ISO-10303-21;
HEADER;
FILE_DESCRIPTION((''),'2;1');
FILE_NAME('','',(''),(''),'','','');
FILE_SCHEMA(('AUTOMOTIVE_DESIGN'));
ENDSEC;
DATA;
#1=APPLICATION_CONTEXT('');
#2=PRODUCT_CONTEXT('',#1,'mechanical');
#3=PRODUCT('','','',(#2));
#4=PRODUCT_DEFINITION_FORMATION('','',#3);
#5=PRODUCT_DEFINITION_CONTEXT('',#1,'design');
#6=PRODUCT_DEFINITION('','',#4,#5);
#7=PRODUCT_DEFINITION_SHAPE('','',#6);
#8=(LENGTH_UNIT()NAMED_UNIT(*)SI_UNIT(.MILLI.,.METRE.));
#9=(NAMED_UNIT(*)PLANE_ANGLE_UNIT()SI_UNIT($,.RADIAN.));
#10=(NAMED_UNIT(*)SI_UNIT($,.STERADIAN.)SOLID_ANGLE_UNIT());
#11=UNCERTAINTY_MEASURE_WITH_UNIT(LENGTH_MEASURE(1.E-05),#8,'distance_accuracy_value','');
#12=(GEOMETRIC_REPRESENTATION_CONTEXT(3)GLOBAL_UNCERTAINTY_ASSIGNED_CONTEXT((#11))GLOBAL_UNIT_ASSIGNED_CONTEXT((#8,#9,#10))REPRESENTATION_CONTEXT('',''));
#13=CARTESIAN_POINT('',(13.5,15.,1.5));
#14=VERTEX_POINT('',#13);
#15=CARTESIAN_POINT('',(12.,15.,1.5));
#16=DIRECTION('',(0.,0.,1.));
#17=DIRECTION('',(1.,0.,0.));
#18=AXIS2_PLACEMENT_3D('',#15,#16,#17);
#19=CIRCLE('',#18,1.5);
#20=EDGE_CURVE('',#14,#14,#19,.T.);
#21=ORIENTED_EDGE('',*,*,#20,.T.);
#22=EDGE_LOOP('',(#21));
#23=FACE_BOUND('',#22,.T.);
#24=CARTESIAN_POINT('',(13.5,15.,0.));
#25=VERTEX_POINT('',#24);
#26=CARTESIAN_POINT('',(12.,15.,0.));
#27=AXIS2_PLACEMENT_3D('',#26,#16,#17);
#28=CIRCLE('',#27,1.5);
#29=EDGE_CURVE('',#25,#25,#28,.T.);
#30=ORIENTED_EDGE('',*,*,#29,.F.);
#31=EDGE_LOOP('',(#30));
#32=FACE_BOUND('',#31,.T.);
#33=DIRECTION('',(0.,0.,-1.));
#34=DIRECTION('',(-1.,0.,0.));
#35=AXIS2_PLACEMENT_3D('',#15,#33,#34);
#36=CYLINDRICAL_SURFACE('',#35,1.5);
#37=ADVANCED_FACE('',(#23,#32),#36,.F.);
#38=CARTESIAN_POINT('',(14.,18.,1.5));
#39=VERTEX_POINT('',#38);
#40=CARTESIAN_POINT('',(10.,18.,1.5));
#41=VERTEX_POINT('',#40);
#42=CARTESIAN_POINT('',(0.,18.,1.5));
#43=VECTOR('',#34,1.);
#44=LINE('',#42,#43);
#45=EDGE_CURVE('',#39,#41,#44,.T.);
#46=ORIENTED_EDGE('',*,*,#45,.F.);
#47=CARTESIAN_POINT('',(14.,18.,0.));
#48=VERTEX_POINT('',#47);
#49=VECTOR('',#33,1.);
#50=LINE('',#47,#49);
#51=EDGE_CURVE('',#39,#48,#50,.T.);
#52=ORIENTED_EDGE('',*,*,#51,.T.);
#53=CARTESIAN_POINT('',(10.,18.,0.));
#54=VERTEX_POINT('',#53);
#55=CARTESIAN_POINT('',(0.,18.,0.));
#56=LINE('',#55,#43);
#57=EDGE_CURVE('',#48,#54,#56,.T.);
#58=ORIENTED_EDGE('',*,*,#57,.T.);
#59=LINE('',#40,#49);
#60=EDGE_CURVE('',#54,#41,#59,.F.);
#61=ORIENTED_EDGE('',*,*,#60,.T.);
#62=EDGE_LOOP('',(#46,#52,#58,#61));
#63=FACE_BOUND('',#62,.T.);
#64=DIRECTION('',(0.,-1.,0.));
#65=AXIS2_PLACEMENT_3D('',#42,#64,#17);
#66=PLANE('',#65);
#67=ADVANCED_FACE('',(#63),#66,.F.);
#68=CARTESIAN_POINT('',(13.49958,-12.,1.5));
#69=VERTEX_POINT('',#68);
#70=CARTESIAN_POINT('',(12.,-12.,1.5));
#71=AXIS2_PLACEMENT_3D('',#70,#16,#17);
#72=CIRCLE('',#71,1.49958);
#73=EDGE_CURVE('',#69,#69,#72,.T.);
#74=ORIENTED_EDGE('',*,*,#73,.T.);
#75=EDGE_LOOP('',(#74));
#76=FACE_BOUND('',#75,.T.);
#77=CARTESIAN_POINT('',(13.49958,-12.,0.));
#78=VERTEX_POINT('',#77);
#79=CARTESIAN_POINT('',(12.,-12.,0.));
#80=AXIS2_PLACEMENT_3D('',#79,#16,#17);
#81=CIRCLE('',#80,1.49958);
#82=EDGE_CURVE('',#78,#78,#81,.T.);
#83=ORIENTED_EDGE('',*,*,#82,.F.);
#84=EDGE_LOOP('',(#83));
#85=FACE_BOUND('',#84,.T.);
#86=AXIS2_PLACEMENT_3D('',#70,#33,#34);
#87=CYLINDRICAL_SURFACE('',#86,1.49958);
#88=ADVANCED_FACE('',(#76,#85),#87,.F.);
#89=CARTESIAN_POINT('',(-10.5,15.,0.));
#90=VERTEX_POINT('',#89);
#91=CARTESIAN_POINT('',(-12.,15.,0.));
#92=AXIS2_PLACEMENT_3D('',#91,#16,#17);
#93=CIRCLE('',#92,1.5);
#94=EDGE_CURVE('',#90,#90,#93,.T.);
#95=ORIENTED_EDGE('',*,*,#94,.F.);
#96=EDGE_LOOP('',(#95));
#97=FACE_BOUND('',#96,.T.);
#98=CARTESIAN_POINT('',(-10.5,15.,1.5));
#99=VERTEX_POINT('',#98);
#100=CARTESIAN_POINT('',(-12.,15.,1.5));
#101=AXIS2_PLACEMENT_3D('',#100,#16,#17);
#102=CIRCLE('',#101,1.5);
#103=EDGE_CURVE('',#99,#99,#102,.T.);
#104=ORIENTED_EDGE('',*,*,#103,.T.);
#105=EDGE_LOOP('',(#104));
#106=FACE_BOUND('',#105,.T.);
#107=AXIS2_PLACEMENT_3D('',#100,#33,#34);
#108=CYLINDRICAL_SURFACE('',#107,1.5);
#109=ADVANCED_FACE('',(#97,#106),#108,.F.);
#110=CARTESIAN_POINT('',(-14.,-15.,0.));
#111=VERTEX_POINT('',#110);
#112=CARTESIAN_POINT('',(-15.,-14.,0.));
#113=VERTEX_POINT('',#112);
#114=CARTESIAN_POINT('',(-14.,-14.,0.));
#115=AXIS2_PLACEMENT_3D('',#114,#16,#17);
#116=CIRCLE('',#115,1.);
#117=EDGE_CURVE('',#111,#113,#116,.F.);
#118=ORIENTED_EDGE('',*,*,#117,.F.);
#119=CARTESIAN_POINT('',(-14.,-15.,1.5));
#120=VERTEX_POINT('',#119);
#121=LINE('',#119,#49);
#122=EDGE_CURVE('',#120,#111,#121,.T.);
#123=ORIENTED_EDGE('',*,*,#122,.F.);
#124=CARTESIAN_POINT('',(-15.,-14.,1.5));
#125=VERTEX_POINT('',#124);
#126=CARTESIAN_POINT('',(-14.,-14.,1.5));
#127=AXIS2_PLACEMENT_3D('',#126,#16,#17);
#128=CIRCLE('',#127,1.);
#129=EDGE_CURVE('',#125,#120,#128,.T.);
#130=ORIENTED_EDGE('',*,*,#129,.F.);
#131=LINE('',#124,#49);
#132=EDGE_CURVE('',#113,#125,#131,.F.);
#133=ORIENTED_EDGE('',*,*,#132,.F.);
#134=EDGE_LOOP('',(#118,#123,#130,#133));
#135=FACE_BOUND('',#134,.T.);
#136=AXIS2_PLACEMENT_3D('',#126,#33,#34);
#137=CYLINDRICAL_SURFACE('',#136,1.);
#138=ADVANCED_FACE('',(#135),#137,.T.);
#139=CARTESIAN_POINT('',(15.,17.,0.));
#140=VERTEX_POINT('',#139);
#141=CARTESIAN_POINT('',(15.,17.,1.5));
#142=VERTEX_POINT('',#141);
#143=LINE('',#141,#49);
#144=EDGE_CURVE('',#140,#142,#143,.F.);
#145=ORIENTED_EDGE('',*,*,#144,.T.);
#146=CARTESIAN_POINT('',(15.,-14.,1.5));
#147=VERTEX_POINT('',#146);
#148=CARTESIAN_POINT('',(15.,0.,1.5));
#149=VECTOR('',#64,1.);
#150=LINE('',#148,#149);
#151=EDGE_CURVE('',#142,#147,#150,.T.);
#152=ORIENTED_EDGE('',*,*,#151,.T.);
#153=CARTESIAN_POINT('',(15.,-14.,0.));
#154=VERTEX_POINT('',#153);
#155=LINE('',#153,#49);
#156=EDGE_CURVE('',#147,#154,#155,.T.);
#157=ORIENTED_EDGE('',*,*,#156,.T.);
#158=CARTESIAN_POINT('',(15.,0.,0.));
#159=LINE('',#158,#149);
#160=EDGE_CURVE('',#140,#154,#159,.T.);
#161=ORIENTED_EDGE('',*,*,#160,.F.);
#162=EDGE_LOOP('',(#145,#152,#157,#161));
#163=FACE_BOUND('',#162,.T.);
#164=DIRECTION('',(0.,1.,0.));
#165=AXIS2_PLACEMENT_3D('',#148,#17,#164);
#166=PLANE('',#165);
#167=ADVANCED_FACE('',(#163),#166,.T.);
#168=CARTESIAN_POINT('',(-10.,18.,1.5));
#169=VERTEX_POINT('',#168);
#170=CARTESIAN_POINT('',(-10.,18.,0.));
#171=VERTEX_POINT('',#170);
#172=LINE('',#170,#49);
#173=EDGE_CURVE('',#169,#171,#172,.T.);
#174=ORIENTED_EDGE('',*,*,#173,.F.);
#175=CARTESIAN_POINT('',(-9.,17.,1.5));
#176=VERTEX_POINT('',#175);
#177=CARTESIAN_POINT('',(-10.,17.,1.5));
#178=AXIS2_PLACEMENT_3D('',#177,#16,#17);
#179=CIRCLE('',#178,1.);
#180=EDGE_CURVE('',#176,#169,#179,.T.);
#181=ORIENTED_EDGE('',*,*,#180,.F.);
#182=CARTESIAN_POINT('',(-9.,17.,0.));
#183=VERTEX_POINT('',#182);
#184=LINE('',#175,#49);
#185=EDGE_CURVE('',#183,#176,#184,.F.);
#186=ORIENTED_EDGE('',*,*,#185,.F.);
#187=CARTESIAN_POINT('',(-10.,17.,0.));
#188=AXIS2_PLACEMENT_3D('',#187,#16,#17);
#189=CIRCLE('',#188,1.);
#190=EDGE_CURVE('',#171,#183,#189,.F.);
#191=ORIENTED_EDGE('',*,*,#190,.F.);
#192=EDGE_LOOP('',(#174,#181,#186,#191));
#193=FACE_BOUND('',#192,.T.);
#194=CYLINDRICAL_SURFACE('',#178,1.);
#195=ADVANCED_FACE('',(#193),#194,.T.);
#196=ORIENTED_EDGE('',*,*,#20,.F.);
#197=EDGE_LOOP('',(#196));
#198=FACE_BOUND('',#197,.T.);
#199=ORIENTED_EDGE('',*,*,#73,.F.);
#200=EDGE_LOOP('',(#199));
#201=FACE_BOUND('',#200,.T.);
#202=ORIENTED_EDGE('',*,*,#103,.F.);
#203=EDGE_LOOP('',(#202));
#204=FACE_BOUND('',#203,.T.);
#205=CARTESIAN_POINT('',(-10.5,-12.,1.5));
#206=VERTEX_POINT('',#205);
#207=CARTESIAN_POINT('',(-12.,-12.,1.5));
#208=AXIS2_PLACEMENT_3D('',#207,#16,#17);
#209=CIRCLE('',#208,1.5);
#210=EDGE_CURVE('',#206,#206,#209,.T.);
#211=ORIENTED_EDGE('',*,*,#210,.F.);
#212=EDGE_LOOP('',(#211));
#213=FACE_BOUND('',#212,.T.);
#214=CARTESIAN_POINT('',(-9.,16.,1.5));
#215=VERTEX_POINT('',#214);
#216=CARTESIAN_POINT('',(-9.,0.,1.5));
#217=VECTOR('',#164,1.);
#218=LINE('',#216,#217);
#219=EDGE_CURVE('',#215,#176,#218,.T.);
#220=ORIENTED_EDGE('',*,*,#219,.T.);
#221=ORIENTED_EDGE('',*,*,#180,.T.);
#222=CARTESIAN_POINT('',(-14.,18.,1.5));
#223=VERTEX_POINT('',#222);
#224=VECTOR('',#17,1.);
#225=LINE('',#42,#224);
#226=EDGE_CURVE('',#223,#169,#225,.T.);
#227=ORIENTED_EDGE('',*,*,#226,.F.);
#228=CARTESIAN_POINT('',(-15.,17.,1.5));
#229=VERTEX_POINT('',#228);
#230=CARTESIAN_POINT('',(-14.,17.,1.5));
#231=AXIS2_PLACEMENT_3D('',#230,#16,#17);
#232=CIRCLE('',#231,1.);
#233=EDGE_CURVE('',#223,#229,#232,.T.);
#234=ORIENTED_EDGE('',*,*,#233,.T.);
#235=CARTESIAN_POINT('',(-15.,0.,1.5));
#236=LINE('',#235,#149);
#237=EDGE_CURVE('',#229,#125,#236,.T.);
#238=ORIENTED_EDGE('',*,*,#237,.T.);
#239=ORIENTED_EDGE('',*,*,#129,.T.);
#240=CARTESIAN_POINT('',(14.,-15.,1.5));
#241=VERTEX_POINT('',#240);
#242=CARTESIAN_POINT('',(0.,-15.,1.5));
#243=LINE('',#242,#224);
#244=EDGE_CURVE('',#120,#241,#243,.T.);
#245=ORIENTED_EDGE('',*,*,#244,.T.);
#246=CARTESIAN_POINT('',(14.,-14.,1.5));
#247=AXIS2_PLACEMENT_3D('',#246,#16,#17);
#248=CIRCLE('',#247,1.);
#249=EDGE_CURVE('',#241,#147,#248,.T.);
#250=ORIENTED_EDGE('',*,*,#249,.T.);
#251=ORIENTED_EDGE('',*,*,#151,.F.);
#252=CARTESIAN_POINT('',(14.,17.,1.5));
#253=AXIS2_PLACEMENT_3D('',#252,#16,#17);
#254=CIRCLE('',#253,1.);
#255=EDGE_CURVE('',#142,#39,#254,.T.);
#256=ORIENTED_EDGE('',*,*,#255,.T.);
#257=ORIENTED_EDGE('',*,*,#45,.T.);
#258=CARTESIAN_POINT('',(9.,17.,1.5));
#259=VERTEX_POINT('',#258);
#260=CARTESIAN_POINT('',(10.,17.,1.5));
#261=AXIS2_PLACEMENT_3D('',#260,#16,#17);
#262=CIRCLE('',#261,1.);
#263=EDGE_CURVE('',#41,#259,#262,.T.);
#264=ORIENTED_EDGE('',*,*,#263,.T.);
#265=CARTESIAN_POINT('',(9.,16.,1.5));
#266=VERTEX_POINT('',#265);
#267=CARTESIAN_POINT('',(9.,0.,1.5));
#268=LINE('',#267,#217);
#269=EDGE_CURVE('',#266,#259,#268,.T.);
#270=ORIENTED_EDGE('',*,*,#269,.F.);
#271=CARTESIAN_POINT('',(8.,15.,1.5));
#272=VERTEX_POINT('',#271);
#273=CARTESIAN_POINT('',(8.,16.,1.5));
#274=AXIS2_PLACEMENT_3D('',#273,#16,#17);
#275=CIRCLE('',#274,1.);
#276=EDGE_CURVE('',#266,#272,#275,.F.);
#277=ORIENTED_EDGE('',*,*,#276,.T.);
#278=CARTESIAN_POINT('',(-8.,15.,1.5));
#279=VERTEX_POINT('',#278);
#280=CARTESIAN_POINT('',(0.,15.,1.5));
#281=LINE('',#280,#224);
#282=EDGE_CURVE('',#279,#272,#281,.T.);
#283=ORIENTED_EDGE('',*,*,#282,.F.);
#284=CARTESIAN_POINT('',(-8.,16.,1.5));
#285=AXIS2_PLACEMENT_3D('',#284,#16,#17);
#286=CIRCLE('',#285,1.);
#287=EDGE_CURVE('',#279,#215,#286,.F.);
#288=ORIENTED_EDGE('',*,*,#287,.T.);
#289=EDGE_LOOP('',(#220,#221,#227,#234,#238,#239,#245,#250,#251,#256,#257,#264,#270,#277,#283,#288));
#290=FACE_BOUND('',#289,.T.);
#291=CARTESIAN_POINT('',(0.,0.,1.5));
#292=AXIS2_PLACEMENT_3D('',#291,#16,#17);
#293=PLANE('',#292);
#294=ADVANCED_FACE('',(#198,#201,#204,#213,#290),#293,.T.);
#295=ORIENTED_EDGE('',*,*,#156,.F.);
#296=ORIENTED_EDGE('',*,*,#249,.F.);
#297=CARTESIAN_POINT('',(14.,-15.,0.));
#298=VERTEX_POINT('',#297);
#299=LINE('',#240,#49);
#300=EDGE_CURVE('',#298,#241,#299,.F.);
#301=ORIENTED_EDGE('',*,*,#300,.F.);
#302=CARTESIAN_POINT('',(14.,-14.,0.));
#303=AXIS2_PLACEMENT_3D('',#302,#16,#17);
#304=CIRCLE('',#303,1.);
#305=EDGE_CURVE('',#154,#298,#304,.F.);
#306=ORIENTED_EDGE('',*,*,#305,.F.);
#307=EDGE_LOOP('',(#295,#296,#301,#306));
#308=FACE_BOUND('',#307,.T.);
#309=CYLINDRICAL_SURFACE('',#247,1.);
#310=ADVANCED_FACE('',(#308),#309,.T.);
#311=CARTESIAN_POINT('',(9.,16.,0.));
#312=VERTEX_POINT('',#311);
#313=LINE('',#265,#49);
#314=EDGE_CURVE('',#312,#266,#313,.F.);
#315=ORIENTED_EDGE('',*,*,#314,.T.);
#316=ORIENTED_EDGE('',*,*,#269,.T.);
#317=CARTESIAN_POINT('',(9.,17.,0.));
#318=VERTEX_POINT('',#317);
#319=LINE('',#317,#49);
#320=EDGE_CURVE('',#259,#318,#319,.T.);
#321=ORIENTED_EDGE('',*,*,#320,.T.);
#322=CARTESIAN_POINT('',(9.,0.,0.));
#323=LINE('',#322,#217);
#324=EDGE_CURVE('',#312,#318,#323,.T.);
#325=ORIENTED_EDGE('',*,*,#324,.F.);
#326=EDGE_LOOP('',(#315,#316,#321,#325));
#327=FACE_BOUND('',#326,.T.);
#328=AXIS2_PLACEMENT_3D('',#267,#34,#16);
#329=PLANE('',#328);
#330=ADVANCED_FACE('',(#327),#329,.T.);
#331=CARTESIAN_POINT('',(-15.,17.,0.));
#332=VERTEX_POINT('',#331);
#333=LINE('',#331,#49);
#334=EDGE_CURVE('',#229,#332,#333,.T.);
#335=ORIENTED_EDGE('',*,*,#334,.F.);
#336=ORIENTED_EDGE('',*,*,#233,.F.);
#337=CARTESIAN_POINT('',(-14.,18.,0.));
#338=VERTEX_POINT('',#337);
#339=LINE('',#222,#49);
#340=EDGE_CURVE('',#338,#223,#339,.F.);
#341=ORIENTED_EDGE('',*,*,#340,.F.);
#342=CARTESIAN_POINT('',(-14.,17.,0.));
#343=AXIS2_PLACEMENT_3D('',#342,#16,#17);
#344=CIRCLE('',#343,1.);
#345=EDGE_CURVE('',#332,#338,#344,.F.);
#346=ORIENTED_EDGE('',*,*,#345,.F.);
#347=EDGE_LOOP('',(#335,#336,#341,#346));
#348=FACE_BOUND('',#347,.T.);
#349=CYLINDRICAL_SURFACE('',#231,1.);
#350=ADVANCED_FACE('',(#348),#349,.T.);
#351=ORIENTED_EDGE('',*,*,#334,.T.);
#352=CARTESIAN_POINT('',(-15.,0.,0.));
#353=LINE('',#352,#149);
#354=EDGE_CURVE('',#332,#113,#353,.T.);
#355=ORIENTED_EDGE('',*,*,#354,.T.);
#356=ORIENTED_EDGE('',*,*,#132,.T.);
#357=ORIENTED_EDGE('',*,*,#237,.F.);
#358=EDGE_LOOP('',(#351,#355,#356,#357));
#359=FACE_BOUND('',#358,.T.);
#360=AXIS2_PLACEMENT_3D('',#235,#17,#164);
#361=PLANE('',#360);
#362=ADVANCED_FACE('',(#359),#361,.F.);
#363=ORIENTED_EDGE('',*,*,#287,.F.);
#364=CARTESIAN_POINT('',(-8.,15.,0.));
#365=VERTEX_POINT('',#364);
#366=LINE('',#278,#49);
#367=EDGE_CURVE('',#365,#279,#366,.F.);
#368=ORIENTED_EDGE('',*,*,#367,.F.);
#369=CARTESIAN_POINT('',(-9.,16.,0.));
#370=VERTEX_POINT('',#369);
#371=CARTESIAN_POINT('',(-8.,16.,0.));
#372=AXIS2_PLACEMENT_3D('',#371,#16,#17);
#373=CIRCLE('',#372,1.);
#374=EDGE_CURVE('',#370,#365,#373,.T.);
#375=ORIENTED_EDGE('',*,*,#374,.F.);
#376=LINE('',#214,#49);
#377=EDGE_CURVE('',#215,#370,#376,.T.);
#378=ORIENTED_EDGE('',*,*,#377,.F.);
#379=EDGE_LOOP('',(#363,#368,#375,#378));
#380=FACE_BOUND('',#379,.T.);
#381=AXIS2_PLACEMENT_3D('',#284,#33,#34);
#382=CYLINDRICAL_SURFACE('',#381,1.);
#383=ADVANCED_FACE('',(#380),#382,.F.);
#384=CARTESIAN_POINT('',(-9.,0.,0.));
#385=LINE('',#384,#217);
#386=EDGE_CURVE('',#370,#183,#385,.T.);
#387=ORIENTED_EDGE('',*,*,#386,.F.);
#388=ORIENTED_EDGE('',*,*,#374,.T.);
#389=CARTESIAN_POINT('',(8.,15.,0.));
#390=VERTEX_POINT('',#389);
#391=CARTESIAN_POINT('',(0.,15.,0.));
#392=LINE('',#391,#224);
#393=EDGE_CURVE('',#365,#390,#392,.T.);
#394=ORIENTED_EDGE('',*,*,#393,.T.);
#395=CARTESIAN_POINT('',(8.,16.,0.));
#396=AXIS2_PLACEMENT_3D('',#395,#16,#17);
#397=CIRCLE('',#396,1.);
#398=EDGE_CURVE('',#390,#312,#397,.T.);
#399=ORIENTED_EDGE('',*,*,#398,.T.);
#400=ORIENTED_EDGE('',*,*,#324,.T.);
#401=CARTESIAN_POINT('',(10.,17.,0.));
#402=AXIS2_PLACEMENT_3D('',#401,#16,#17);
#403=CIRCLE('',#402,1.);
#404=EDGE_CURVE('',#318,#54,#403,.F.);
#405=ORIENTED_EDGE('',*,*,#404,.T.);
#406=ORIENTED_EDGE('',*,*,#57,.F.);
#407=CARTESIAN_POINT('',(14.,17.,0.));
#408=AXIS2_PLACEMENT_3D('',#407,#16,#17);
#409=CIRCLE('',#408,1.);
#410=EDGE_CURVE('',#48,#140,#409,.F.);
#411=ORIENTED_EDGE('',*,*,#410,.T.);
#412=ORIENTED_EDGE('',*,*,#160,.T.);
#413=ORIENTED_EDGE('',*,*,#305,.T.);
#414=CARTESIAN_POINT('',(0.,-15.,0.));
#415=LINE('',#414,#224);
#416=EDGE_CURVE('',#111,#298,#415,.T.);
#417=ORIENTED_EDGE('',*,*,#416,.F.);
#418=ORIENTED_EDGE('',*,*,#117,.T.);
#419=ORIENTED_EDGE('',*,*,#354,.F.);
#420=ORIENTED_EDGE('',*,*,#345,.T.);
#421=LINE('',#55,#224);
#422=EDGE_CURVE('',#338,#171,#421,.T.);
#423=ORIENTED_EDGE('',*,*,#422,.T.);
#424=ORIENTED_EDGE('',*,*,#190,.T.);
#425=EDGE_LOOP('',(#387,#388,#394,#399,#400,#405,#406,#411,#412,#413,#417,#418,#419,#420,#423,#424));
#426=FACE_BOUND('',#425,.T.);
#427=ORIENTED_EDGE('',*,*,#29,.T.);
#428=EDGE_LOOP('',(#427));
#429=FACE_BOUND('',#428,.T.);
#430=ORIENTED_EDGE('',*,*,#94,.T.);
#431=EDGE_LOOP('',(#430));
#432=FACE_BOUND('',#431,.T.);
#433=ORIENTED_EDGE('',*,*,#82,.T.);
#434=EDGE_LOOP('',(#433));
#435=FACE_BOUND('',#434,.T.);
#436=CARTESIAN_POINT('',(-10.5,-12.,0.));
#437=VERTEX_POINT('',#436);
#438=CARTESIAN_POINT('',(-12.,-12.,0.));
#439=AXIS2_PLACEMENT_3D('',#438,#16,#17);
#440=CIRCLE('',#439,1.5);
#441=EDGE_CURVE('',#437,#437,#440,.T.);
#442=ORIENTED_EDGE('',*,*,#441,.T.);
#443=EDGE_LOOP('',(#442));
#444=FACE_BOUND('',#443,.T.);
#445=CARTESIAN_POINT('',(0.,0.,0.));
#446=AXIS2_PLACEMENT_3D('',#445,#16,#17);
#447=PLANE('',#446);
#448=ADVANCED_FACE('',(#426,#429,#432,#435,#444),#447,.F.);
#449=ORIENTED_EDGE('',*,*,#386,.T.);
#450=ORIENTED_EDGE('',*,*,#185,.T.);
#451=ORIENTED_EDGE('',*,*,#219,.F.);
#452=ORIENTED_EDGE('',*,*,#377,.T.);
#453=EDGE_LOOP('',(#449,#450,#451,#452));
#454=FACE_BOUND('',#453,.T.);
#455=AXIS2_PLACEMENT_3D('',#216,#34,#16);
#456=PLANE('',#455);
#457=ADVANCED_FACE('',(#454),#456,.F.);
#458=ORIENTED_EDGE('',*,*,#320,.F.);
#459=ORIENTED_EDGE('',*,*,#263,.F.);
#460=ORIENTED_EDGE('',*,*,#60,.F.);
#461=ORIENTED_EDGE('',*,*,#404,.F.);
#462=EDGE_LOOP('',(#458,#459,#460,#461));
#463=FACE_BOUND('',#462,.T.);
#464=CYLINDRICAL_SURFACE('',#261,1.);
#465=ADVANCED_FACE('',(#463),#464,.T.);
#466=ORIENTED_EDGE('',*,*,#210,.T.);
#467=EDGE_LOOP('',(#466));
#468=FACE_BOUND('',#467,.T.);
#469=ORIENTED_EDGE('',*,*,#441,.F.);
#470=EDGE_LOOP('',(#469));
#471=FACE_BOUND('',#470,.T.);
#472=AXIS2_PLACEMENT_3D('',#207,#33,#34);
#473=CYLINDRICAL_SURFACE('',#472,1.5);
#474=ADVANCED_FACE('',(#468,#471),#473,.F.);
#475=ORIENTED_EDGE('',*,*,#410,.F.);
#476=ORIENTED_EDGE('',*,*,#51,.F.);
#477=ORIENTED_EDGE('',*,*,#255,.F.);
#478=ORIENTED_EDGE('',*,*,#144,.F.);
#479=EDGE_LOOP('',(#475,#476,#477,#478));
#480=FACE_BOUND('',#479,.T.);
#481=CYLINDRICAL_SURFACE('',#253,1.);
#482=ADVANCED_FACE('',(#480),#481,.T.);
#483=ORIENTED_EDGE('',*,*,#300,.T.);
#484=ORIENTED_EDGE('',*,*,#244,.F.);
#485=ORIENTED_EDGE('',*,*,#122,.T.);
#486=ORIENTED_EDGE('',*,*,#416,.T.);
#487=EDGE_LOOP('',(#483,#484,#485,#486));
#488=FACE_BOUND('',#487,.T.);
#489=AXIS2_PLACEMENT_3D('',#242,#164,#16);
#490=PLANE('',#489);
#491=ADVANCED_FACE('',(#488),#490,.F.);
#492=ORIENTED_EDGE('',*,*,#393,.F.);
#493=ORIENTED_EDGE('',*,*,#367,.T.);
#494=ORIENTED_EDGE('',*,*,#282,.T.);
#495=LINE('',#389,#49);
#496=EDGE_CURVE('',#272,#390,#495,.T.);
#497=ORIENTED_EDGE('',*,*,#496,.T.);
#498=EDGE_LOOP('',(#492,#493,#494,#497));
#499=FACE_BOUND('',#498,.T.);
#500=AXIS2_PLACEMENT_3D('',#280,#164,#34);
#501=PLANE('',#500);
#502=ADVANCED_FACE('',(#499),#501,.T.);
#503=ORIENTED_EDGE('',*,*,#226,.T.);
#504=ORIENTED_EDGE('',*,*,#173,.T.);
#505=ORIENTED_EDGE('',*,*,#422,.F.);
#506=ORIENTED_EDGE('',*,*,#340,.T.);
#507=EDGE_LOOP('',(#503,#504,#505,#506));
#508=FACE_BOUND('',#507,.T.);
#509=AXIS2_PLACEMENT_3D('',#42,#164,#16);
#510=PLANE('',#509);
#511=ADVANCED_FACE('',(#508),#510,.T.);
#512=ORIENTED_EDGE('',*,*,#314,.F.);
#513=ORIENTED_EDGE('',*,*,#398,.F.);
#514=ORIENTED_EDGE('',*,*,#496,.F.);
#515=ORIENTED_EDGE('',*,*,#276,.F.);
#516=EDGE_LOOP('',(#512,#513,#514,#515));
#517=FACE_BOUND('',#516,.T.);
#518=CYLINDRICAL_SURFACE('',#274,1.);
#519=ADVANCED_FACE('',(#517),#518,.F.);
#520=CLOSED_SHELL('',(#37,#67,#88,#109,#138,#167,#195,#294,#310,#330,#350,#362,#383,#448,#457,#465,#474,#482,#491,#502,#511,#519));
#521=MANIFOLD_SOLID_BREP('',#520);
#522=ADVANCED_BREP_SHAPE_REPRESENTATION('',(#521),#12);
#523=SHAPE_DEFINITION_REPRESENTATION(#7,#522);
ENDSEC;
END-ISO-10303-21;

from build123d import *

# Parameters (mm, degrees)
SKETCH_1_R      = 1.5
SKETCH_1_R_2    = 1.499580178
EXTRUDE_1_DEPTH = 1.5
FILLET_2_R      = 1


with BuildPart() as part:
    # ｽｹｯﾁ1 → ﾎﾞｽ - 押し出し1 (new body)
    with BuildSketch(Plane.XY):
        Polygon((-15, 18), (-15, -15), (15, -15), (15, 18), (9, 18), (9, 15), (-9, 15), (-9, 18), align=None)
        with Locations((-12, 15)):
            Circle(SKETCH_1_R, mode=Mode.SUBTRACT)
        with Locations((12, 15)):
            Circle(SKETCH_1_R, mode=Mode.SUBTRACT)
        with Locations((-12, -12)):
            Circle(SKETCH_1_R, mode=Mode.SUBTRACT)
        with Locations((12, -12)):
            Circle(SKETCH_1_R_2, mode=Mode.SUBTRACT)
    extrude(amount=EXTRUDE_1_DEPTH)

    # ﾌｨﾚｯﾄ2
    fillet_2_edges = [part.edges().sort_by_distance(p)[0] for p in [
        (9, 15, 0.75),
        (9, 18, 0.75),
        (15, 18, 0.75),
        (15, -15, 0.75),
        (-15, -15, 0.75),
        (-15, 18, 0.75),
        (-9, 18, 0.75),
        (-9, 15, 0.75),
    ]]
    fillet(fillet_2_edges, radius=FILLET_2_R)


solid = part.part
